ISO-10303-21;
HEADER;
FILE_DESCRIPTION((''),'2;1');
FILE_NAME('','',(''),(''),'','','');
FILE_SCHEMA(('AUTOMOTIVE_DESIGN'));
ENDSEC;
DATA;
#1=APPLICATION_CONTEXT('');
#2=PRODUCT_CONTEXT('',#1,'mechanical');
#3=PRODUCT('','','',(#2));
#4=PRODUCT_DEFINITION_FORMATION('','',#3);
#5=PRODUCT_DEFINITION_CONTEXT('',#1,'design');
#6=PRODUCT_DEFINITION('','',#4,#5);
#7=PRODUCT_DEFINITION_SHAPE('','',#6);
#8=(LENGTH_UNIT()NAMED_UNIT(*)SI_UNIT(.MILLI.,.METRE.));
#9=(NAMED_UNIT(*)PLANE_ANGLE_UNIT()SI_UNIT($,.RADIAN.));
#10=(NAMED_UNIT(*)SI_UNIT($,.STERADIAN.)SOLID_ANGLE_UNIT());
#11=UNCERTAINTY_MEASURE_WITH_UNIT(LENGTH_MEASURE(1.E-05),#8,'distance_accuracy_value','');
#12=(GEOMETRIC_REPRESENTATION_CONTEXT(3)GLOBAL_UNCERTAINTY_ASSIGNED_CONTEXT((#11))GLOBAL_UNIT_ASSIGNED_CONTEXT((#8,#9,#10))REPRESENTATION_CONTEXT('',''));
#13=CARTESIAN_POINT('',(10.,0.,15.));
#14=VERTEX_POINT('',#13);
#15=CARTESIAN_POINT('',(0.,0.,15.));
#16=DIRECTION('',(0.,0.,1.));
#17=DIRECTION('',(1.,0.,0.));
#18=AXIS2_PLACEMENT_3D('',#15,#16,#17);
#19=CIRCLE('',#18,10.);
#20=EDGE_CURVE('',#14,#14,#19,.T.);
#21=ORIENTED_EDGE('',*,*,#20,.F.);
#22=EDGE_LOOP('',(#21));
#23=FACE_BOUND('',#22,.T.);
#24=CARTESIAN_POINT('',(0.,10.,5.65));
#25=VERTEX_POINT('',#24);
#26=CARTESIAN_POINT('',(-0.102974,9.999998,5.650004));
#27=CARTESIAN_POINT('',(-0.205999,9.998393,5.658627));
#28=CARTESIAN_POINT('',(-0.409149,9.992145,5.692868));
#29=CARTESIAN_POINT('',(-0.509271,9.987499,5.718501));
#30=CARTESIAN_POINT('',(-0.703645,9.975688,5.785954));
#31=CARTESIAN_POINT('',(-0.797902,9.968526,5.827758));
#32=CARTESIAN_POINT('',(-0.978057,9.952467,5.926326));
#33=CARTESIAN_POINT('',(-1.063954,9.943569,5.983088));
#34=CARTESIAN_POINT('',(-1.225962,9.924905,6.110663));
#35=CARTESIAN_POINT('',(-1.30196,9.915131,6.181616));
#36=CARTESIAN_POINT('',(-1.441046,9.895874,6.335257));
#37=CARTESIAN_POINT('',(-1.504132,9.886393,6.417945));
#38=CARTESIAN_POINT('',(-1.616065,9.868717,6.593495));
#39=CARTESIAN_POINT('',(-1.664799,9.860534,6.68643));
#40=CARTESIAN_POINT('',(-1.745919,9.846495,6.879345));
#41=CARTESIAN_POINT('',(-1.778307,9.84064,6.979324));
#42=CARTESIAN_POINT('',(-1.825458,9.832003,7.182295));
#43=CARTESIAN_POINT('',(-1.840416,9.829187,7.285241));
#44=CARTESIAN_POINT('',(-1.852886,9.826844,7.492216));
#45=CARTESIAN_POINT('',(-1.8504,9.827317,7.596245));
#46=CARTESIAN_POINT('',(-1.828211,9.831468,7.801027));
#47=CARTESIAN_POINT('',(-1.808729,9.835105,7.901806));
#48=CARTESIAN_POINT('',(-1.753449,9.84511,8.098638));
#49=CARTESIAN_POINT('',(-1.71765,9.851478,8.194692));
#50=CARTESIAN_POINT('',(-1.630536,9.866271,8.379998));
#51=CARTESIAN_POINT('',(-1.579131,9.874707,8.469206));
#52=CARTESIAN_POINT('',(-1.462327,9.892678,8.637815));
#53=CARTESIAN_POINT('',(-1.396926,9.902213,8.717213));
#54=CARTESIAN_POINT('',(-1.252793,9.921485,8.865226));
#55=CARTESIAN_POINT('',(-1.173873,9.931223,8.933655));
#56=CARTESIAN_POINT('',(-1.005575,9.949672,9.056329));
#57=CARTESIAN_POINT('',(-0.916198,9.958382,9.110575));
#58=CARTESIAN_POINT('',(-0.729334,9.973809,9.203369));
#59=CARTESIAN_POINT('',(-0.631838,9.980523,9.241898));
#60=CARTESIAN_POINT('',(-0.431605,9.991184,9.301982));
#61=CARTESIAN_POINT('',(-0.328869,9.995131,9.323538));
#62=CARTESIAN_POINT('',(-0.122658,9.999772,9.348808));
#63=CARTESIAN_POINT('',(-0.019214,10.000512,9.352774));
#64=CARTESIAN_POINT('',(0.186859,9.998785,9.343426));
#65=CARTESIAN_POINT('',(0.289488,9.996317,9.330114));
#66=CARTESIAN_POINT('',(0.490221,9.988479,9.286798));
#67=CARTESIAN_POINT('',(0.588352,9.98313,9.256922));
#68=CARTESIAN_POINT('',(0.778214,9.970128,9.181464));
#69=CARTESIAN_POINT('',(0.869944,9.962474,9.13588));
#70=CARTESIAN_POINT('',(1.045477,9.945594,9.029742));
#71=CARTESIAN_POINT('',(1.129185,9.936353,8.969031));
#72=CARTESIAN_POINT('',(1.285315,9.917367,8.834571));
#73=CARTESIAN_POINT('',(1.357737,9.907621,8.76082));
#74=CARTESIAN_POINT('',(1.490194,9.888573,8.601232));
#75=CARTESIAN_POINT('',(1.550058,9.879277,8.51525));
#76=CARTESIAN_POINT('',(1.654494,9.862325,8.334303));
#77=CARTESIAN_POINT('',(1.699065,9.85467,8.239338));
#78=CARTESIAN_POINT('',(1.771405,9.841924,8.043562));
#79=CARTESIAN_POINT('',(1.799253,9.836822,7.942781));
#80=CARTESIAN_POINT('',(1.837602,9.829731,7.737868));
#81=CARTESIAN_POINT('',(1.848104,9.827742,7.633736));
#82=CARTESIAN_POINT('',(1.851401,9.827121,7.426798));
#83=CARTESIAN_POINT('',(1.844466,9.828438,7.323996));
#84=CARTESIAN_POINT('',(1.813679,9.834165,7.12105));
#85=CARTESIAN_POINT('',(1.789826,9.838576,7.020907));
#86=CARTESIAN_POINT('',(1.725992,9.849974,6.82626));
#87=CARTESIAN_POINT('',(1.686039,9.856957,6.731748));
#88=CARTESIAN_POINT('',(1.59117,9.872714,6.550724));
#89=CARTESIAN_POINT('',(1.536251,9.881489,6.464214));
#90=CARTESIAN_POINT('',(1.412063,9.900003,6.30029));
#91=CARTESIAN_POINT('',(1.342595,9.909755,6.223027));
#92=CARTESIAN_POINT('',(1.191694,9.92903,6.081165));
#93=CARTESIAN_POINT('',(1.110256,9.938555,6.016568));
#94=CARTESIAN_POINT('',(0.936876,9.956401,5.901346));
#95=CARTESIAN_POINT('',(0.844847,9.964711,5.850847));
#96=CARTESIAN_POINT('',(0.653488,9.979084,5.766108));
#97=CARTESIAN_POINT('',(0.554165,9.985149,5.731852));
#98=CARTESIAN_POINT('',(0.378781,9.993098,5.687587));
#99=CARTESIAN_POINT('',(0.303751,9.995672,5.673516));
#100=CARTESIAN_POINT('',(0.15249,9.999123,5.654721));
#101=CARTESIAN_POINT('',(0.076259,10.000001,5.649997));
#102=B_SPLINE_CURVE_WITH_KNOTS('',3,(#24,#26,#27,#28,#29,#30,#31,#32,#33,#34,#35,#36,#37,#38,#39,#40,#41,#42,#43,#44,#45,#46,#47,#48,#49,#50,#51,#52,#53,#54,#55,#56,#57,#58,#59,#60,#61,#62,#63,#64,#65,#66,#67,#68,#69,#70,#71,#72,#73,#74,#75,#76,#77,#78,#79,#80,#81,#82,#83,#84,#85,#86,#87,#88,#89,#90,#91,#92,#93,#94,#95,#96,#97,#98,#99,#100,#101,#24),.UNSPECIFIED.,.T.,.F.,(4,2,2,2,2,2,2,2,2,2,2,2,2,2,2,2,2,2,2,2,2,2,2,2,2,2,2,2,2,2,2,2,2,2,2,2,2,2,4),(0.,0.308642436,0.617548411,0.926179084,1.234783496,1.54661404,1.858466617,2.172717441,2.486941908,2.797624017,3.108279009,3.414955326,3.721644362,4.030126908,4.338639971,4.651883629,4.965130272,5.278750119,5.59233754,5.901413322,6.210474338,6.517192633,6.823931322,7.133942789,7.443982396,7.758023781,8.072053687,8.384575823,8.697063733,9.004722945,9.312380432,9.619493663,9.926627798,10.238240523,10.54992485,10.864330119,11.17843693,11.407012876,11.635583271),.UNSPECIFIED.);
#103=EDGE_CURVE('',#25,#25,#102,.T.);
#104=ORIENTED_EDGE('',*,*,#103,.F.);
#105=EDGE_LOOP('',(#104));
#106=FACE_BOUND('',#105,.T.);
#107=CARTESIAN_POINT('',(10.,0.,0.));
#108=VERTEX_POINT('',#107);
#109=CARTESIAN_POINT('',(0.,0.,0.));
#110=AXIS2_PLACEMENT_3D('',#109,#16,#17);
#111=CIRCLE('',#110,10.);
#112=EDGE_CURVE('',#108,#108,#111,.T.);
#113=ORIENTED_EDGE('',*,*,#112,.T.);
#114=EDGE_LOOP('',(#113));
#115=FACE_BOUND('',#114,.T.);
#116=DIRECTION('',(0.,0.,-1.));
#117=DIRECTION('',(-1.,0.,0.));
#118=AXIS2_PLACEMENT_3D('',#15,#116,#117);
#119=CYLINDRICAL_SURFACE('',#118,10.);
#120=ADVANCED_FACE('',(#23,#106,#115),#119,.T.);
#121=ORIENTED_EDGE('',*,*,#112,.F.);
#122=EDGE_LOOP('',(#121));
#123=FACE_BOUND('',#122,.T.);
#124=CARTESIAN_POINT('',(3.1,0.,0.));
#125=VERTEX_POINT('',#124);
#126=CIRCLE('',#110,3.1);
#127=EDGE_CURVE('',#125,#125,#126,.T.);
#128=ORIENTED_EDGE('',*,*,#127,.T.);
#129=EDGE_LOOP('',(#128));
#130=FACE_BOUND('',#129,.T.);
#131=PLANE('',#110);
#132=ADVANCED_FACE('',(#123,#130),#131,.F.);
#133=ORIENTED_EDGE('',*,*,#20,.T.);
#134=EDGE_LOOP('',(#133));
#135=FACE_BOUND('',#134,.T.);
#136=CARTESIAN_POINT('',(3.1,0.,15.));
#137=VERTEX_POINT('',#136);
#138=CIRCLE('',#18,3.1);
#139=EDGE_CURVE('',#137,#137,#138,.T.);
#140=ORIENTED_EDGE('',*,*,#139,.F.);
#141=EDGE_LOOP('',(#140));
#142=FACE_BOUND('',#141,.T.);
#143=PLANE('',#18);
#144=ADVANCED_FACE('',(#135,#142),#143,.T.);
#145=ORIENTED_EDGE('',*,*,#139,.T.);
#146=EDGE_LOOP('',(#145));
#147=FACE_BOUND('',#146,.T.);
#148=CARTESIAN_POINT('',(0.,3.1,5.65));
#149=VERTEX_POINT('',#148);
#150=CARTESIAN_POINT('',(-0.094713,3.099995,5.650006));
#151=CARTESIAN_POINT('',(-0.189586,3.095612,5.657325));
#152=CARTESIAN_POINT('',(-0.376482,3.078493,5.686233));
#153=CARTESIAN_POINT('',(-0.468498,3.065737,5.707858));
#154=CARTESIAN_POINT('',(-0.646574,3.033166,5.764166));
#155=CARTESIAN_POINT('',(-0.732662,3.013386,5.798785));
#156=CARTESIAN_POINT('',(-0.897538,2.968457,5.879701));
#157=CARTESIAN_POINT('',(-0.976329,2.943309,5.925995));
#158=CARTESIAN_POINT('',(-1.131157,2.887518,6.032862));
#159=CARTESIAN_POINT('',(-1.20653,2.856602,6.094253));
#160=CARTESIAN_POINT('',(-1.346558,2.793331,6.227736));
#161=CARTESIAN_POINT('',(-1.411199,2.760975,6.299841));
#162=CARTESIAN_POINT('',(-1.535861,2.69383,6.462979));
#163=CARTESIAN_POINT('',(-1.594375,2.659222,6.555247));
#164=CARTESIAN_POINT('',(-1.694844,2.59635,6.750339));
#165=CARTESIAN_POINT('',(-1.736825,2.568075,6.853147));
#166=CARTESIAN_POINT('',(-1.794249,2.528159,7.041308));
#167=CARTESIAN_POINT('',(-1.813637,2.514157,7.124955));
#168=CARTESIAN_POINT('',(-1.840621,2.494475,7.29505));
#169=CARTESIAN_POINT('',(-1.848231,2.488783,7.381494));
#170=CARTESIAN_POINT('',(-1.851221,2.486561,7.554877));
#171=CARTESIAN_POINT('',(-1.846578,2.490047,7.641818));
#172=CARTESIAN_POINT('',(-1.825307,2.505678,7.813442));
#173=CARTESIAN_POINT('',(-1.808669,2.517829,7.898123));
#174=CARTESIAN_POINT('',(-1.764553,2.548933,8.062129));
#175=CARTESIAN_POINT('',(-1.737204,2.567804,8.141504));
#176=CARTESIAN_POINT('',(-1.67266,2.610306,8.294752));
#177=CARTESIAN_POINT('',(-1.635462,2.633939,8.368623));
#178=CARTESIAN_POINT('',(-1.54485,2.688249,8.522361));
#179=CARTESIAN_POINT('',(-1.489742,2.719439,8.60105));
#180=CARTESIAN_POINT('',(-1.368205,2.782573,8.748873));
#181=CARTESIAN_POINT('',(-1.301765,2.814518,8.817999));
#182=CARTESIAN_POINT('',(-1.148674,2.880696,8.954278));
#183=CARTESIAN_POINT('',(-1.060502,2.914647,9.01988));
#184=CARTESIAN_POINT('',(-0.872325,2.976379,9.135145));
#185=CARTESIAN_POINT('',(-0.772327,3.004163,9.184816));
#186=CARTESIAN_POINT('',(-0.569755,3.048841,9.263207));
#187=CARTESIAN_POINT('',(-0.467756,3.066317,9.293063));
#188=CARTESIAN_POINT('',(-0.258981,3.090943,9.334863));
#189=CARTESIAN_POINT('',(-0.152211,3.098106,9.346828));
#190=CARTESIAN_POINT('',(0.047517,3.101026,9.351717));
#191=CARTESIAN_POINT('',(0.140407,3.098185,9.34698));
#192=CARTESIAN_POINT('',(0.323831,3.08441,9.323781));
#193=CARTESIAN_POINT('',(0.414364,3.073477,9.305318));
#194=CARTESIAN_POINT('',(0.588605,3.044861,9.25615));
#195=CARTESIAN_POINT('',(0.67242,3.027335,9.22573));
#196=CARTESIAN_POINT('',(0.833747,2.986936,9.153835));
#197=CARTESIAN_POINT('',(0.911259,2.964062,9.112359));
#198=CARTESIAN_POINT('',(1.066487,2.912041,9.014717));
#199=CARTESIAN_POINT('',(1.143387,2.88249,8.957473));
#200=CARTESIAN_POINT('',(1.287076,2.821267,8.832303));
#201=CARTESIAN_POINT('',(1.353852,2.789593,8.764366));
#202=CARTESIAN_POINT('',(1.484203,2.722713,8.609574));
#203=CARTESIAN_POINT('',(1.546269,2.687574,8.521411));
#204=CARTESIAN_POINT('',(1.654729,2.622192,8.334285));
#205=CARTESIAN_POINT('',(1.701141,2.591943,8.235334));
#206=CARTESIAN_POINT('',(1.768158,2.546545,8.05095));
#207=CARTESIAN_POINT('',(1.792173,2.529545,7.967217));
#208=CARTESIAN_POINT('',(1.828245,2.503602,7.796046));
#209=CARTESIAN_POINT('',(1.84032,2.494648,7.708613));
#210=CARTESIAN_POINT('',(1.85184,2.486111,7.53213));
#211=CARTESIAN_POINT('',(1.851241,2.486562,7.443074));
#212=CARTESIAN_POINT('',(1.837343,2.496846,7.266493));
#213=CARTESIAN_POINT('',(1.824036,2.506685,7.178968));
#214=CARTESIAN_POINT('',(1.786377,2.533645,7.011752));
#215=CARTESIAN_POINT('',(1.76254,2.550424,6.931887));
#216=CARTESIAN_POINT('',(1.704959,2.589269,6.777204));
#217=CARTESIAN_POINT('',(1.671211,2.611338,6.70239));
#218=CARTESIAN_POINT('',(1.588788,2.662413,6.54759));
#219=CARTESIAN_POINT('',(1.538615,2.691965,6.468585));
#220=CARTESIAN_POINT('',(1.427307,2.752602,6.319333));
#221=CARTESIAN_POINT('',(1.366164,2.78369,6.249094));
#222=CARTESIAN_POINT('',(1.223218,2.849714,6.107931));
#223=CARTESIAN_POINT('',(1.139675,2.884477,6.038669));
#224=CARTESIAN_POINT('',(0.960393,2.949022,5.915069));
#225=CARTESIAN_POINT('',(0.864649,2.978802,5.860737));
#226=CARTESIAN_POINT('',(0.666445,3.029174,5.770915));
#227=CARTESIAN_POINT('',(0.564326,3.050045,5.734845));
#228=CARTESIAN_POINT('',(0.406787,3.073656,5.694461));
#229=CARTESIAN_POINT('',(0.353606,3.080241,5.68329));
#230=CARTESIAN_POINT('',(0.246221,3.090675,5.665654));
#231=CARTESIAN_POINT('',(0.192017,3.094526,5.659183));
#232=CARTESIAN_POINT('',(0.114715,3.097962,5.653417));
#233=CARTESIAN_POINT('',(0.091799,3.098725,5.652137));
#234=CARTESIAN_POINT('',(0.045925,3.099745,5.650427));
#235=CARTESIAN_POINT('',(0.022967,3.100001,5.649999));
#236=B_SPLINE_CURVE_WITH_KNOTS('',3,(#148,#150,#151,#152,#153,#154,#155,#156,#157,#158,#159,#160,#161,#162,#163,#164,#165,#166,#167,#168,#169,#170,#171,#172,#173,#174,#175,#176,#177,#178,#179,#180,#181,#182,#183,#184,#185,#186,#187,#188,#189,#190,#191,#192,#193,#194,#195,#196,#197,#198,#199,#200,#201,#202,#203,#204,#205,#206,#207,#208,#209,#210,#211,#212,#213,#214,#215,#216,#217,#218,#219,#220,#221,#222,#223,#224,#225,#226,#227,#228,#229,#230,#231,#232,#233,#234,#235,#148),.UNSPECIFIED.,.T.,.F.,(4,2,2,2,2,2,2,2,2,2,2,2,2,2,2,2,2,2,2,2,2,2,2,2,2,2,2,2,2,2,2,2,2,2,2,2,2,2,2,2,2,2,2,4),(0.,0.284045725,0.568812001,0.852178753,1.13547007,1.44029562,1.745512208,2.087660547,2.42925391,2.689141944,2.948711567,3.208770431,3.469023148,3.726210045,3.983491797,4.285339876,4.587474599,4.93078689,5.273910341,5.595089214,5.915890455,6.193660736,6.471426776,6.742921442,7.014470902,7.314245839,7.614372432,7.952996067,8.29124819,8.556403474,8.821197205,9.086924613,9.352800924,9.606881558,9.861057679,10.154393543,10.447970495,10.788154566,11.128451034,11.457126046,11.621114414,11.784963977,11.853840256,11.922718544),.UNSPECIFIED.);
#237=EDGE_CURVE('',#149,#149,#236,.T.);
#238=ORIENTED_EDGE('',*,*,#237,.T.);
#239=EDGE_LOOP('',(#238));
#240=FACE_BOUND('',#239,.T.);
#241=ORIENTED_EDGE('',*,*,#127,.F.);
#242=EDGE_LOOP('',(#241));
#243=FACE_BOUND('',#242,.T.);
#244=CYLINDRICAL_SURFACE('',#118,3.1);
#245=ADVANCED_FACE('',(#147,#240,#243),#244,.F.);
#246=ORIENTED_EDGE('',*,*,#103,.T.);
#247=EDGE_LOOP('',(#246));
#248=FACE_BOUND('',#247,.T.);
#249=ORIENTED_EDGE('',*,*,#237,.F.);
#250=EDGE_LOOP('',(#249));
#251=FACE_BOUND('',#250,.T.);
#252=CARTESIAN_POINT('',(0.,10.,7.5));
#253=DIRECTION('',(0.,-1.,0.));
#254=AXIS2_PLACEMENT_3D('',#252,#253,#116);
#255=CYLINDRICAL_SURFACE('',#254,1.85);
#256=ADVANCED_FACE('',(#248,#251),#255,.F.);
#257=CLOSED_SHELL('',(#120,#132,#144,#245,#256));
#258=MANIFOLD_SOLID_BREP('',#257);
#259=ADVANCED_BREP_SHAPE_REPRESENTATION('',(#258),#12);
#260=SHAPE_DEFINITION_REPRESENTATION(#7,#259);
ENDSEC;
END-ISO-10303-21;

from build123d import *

# Parameters (mm, degrees)
SKETCH_1_R          = 10
SKETCH_1_R_2        = 3.1
EXTRUDE_1_DEPTH     = 15
SKETCH_2_R          = 1.85
CUT_EXTRUDE_1_DEPTH = 11


with BuildPart() as part:
    # 스케치1 → 보스-돌출1 (new body)
    with BuildSketch(Plane.XY):
        Circle(SKETCH_1_R)
        Circle(SKETCH_1_R_2, mode=Mode.SUBTRACT)
    extrude(amount=EXTRUDE_1_DEPTH)

    # 스케치2 → 컷-돌출1 (cut, through all)
    with BuildSketch(Plane(origin=(0, 0, 0), x_dir=(1, 0, 0), z_dir=(0, 1, 0))):
        with Locations((0, -7.5)):
            Circle(SKETCH_2_R)
    extrude(amount=CUT_EXTRUDE_1_DEPTH, mode=Mode.SUBTRACT)


solid = part.part
